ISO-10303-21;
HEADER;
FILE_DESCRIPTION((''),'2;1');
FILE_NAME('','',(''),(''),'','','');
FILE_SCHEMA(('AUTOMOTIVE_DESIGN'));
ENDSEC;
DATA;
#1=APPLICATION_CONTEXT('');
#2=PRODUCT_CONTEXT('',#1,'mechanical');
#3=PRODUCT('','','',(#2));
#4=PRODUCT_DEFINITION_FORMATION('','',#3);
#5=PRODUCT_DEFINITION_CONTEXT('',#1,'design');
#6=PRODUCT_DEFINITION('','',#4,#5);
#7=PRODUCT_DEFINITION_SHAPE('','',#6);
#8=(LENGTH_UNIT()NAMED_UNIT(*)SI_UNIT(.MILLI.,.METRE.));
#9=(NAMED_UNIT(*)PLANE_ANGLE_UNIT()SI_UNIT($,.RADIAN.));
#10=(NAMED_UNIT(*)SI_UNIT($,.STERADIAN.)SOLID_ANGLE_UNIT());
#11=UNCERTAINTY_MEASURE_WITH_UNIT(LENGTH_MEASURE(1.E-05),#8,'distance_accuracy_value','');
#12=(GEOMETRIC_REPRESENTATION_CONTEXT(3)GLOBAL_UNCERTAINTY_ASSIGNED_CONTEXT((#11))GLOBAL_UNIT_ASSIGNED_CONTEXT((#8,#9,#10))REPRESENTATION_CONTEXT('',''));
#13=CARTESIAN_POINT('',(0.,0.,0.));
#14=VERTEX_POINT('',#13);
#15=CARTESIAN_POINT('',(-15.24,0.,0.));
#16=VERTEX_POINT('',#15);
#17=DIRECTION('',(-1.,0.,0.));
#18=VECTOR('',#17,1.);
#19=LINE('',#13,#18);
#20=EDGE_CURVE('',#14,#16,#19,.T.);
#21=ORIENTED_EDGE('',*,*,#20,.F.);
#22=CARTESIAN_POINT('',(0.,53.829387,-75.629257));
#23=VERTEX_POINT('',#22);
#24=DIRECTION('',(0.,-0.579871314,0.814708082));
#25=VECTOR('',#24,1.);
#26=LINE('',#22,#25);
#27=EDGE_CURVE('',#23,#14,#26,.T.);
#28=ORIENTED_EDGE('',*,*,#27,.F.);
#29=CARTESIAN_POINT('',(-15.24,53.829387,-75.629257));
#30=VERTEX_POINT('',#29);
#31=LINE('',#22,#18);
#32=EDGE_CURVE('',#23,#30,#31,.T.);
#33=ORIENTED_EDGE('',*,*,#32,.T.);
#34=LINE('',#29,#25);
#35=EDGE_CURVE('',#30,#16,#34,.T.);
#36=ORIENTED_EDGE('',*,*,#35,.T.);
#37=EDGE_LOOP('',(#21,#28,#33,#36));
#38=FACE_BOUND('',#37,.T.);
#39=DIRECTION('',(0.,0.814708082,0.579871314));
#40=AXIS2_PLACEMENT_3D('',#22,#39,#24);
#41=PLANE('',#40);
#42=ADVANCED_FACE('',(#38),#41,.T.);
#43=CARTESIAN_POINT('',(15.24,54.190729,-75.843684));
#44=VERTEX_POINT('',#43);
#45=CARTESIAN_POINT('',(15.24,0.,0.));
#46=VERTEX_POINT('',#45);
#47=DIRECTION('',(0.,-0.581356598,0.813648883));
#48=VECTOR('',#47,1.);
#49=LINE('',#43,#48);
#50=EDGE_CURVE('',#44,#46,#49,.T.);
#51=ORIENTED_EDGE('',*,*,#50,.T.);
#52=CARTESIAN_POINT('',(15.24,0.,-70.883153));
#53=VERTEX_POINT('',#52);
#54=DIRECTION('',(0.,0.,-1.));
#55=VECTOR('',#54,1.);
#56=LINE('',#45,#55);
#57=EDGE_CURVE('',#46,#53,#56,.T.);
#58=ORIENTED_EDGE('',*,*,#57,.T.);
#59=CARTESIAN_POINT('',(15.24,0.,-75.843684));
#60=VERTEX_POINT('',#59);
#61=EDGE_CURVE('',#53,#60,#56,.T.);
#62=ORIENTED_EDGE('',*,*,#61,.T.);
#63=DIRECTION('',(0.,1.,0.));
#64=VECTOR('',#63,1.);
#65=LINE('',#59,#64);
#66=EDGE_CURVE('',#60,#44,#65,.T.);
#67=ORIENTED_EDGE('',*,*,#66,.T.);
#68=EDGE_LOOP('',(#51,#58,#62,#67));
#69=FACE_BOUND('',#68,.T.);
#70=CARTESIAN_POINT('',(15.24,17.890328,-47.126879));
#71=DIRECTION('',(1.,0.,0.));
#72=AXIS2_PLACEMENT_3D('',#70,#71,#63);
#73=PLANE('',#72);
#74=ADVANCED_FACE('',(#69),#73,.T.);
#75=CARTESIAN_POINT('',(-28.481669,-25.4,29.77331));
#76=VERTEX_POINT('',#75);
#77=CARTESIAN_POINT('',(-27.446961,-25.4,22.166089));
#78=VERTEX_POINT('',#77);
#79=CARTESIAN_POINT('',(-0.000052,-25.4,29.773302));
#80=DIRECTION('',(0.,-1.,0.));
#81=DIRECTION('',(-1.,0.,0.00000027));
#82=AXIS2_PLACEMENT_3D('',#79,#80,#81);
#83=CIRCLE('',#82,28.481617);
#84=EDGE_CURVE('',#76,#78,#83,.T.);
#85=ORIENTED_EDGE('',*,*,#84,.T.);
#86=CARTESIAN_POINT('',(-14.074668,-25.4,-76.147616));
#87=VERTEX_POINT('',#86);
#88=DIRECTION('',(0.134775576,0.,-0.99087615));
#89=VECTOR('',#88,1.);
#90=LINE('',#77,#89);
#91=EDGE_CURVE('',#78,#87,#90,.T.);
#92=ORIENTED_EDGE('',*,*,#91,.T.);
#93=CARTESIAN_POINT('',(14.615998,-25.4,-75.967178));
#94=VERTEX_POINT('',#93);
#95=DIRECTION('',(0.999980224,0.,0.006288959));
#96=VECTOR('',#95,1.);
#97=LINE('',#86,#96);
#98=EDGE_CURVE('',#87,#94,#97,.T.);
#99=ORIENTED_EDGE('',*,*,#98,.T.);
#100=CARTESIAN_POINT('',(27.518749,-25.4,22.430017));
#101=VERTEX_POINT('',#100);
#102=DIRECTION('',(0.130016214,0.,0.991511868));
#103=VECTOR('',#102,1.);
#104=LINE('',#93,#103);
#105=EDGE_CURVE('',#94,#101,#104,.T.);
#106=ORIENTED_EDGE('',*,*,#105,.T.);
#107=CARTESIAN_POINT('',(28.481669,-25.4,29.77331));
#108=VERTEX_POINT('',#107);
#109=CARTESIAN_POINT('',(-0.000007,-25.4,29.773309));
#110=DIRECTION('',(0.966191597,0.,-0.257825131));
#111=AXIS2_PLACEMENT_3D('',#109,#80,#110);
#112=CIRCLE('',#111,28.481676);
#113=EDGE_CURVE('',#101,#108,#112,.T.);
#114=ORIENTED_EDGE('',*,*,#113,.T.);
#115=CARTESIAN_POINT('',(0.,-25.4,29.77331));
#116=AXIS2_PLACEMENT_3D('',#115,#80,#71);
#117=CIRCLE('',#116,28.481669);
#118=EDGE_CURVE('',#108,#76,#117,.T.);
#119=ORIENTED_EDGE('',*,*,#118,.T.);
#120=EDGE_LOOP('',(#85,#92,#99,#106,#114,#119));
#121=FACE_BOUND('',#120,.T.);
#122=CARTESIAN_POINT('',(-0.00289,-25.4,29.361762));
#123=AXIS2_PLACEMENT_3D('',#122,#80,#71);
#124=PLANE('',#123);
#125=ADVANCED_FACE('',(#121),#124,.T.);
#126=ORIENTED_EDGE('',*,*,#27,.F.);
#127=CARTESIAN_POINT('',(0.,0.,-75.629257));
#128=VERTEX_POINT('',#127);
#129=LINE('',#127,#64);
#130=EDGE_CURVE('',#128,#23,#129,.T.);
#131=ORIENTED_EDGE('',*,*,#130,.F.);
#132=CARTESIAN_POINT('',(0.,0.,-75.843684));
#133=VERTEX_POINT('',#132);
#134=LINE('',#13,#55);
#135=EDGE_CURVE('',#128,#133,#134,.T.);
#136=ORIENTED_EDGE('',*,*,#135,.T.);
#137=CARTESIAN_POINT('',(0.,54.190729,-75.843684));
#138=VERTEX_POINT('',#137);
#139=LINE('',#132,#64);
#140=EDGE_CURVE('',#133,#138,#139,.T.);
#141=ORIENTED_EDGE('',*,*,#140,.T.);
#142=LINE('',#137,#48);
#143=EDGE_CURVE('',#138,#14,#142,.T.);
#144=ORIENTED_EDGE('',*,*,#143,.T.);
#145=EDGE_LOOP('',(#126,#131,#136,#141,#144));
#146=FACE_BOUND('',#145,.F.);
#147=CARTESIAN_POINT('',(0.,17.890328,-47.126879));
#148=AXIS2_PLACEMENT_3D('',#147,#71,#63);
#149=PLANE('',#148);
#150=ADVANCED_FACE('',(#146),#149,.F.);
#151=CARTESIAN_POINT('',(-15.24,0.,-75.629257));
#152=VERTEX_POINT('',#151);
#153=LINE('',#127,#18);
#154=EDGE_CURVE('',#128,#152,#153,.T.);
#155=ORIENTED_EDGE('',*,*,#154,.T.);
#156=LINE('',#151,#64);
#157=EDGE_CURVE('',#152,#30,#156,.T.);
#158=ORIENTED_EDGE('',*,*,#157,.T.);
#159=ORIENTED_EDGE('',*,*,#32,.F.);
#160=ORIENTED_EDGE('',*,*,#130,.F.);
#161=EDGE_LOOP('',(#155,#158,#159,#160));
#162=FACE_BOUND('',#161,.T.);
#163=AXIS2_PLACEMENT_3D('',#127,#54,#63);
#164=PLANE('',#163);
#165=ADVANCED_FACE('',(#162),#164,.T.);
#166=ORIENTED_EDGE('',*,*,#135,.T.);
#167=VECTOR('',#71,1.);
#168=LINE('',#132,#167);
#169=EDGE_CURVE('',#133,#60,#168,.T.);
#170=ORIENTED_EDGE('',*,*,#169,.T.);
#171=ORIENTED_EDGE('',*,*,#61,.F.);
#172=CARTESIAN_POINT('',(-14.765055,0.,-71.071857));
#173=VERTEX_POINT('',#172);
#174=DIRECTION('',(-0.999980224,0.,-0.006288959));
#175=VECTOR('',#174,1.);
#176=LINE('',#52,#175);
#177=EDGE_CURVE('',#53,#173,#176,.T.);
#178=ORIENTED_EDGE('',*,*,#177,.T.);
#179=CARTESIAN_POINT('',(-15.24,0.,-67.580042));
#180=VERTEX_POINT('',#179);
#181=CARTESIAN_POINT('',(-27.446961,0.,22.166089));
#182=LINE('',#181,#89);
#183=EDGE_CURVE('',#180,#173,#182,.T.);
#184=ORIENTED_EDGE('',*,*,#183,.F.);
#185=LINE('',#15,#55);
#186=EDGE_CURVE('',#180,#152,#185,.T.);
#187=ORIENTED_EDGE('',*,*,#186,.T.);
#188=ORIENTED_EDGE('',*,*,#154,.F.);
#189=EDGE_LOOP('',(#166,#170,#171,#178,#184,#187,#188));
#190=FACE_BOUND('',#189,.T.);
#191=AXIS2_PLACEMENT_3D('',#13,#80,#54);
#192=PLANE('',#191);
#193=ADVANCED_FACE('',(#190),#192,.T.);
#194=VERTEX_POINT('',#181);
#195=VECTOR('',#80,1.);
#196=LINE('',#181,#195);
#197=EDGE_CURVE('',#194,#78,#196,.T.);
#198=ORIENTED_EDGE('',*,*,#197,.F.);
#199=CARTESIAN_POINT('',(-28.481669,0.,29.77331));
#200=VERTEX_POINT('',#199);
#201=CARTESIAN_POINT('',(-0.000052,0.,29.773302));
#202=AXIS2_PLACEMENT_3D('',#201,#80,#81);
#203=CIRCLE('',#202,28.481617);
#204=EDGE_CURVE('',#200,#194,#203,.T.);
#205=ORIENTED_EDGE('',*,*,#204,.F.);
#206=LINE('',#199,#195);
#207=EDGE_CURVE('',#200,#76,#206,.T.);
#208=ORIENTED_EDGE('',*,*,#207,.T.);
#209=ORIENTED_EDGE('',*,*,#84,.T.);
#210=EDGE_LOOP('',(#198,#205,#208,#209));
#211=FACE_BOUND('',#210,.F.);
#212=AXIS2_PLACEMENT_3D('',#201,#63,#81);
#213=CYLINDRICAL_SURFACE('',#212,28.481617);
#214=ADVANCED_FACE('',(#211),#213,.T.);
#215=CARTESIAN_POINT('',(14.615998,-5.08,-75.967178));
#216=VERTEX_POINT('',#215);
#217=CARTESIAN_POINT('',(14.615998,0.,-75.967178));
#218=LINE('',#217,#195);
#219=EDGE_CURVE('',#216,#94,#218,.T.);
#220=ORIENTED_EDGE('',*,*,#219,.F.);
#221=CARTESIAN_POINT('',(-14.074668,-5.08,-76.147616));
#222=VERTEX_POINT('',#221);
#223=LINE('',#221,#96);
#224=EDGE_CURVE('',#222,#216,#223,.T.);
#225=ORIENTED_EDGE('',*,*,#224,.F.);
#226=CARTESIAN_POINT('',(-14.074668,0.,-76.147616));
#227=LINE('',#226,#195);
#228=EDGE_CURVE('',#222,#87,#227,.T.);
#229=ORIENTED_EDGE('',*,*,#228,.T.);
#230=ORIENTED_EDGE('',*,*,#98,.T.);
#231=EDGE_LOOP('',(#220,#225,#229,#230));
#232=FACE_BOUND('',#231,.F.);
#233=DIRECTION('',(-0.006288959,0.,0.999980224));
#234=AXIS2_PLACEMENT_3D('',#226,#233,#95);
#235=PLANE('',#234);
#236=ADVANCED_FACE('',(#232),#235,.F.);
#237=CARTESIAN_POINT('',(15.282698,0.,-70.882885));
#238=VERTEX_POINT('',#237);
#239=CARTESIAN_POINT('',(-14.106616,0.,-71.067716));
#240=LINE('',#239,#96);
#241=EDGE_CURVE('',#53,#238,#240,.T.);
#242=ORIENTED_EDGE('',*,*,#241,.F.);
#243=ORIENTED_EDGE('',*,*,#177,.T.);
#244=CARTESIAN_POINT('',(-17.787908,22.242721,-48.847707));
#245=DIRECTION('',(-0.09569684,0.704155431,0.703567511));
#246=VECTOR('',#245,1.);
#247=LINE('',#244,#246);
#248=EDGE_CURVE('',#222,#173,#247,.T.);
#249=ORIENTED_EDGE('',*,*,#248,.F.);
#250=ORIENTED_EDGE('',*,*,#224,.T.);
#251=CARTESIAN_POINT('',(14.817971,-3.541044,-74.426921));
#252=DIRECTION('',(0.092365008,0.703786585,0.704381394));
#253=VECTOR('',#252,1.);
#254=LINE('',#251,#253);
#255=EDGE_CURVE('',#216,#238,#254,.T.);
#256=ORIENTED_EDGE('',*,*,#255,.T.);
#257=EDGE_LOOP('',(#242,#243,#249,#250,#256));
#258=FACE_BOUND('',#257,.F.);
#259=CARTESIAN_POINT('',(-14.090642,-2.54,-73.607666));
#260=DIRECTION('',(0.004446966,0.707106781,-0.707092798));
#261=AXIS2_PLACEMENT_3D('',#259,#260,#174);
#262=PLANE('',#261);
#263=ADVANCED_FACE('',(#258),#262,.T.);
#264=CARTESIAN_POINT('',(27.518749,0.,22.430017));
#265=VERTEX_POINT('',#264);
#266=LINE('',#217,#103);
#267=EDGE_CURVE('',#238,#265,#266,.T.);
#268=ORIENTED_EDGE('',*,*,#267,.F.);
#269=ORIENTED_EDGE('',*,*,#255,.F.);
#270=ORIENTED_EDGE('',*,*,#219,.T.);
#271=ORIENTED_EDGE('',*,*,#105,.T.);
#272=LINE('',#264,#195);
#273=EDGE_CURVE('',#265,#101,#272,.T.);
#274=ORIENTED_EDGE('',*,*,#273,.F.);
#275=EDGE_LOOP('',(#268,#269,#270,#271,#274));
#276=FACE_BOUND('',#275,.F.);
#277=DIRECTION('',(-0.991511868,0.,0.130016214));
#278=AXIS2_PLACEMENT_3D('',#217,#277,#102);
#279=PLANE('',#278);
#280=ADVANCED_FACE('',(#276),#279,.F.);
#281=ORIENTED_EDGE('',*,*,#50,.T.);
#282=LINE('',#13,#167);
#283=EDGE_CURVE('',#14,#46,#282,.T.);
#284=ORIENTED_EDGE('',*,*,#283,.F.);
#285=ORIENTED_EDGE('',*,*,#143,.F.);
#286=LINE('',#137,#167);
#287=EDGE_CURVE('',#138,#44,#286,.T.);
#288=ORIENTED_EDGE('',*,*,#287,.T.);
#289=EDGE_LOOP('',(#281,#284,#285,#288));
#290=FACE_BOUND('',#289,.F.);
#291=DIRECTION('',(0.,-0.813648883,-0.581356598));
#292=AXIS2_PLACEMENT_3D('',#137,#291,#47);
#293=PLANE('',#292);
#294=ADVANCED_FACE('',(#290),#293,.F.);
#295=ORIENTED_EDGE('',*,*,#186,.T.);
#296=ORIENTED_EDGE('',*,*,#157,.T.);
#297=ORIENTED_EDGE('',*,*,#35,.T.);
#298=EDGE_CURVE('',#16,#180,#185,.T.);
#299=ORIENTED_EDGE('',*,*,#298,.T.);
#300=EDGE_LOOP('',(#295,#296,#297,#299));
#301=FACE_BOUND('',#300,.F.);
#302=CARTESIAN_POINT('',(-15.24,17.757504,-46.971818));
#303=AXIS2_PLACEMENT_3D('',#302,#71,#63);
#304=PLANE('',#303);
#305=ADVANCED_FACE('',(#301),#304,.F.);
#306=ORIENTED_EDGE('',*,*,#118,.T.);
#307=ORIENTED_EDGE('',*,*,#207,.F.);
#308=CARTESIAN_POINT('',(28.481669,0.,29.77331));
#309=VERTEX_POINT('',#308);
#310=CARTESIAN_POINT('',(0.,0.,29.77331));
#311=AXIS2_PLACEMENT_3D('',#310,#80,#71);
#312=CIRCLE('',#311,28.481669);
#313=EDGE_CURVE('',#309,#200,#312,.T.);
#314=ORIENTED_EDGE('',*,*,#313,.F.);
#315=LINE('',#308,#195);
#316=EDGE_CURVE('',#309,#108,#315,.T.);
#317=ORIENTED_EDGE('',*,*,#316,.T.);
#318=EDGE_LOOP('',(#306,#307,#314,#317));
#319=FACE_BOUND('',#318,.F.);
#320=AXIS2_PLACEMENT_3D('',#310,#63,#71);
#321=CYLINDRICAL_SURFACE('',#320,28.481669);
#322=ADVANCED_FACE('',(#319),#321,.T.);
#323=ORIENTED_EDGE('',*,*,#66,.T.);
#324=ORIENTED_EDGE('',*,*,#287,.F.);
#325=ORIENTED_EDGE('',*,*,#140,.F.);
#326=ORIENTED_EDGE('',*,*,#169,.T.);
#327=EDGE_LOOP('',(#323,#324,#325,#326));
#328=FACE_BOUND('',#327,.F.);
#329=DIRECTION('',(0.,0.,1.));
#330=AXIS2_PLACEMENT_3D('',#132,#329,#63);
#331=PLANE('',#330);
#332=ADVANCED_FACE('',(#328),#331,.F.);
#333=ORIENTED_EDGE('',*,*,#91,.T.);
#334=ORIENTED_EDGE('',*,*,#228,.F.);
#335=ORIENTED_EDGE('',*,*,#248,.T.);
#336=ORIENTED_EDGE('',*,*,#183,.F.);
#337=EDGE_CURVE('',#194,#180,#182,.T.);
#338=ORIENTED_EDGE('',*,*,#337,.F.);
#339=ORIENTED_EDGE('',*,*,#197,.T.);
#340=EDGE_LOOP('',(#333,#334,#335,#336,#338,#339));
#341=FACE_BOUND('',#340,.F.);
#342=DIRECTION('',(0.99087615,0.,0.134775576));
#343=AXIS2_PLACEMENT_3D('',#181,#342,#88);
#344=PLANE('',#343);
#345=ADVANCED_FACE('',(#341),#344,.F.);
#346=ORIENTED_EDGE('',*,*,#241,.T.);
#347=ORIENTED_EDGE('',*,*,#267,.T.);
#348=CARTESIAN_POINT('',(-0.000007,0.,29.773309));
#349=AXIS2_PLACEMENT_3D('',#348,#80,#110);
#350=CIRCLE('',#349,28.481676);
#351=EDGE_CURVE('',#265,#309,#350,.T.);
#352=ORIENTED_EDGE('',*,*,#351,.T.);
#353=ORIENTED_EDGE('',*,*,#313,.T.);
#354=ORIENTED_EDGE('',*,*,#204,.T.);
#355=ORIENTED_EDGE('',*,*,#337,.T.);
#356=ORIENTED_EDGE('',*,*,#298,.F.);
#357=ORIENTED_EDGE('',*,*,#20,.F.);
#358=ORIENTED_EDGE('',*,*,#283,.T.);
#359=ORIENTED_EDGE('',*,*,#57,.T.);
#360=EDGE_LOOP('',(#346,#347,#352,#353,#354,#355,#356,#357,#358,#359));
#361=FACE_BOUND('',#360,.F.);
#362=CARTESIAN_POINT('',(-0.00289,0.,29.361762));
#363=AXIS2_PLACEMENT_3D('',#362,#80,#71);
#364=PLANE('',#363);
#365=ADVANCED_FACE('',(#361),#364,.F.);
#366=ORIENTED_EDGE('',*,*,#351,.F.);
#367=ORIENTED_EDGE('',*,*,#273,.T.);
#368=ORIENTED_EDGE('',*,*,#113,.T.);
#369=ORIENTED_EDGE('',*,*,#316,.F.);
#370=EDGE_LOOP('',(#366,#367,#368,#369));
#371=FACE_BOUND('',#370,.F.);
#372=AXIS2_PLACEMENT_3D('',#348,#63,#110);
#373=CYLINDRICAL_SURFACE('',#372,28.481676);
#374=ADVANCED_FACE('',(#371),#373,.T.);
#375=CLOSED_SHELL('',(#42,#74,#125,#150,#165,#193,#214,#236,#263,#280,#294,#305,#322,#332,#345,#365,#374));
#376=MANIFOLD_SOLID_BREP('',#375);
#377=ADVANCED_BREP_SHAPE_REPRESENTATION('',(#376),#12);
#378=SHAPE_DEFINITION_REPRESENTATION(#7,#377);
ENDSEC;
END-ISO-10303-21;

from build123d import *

# Parameters (mm, degrees)
F1_DEPTH = 25.4
F2_SIZE  = 5.08
F4_DEPTH = 15.24
F6_DEPTH = 15.24


with BuildPart() as f1:
    # F0 (on Front) → F1 (new body)
    with BuildSketch(Plane.XZ):
        with BuildLine():
            Line((27.518749, 22.430017), (28.481669, 29.77331))
            ThreePointArc((28.481669, 29.77331), (0, 58.254979), (-28.481669, 29.77331))
            Line((-28.481669, 29.77331), (-27.446961, 22.166089))
            ThreePointArc((-27.446961, 22.166089), (0.136758, 1.291969), (27.518749, 22.430017))
        make_face()
        with BuildLine():
            ThreePointArc((27.518749, 22.430017), (28.239913, 26.070231), (28.481669, 29.77331))
            Line((28.481669, 29.77331), (27.518749, 22.430017))
        make_face()
        with BuildLine():
            Line((-27.446961, 22.166089), (-28.481669, 29.77331))
            ThreePointArc((-28.481669, 29.77331), (-28.221807, 25.934676), (-27.446961, 22.166089))
        make_face()
        with BuildLine():
            Line((14.615998, -75.967178), (27.518749, 22.430017))
            ThreePointArc((27.518749, 22.430017), (0.136758, 1.291969), (-27.446961, 22.166089))
            Line((-27.446961, 22.166089), (-14.074668, -76.147616))
            Line((-14.074668, -76.147616), (14.615998, -75.967178))
        make_face()
    extrude(amount=F1_DEPTH)

    # F2
    f2_edges = [f1.edges().sort_by_distance(p)[0] for p in [
        (0.270665, 0, -76.057397),
    ]]
    chamfer(f2_edges, length=F2_SIZE)

    # F3 (on Right) → F4 (join)
    with BuildSketch(Plane.YZ):
        Polygon((54.190729, -75.843684), (0, 0), (0, -75.843684), align=None)
    extrude(amount=F4_DEPTH)

    # F5 (on Right) → F6 (join)
    with BuildSketch(Plane.YZ):
        Polygon((53.829387, -75.629257), (0, 0), (0, -75.629257), align=None)
    extrude(amount=-F6_DEPTH)


solid = f1.part
